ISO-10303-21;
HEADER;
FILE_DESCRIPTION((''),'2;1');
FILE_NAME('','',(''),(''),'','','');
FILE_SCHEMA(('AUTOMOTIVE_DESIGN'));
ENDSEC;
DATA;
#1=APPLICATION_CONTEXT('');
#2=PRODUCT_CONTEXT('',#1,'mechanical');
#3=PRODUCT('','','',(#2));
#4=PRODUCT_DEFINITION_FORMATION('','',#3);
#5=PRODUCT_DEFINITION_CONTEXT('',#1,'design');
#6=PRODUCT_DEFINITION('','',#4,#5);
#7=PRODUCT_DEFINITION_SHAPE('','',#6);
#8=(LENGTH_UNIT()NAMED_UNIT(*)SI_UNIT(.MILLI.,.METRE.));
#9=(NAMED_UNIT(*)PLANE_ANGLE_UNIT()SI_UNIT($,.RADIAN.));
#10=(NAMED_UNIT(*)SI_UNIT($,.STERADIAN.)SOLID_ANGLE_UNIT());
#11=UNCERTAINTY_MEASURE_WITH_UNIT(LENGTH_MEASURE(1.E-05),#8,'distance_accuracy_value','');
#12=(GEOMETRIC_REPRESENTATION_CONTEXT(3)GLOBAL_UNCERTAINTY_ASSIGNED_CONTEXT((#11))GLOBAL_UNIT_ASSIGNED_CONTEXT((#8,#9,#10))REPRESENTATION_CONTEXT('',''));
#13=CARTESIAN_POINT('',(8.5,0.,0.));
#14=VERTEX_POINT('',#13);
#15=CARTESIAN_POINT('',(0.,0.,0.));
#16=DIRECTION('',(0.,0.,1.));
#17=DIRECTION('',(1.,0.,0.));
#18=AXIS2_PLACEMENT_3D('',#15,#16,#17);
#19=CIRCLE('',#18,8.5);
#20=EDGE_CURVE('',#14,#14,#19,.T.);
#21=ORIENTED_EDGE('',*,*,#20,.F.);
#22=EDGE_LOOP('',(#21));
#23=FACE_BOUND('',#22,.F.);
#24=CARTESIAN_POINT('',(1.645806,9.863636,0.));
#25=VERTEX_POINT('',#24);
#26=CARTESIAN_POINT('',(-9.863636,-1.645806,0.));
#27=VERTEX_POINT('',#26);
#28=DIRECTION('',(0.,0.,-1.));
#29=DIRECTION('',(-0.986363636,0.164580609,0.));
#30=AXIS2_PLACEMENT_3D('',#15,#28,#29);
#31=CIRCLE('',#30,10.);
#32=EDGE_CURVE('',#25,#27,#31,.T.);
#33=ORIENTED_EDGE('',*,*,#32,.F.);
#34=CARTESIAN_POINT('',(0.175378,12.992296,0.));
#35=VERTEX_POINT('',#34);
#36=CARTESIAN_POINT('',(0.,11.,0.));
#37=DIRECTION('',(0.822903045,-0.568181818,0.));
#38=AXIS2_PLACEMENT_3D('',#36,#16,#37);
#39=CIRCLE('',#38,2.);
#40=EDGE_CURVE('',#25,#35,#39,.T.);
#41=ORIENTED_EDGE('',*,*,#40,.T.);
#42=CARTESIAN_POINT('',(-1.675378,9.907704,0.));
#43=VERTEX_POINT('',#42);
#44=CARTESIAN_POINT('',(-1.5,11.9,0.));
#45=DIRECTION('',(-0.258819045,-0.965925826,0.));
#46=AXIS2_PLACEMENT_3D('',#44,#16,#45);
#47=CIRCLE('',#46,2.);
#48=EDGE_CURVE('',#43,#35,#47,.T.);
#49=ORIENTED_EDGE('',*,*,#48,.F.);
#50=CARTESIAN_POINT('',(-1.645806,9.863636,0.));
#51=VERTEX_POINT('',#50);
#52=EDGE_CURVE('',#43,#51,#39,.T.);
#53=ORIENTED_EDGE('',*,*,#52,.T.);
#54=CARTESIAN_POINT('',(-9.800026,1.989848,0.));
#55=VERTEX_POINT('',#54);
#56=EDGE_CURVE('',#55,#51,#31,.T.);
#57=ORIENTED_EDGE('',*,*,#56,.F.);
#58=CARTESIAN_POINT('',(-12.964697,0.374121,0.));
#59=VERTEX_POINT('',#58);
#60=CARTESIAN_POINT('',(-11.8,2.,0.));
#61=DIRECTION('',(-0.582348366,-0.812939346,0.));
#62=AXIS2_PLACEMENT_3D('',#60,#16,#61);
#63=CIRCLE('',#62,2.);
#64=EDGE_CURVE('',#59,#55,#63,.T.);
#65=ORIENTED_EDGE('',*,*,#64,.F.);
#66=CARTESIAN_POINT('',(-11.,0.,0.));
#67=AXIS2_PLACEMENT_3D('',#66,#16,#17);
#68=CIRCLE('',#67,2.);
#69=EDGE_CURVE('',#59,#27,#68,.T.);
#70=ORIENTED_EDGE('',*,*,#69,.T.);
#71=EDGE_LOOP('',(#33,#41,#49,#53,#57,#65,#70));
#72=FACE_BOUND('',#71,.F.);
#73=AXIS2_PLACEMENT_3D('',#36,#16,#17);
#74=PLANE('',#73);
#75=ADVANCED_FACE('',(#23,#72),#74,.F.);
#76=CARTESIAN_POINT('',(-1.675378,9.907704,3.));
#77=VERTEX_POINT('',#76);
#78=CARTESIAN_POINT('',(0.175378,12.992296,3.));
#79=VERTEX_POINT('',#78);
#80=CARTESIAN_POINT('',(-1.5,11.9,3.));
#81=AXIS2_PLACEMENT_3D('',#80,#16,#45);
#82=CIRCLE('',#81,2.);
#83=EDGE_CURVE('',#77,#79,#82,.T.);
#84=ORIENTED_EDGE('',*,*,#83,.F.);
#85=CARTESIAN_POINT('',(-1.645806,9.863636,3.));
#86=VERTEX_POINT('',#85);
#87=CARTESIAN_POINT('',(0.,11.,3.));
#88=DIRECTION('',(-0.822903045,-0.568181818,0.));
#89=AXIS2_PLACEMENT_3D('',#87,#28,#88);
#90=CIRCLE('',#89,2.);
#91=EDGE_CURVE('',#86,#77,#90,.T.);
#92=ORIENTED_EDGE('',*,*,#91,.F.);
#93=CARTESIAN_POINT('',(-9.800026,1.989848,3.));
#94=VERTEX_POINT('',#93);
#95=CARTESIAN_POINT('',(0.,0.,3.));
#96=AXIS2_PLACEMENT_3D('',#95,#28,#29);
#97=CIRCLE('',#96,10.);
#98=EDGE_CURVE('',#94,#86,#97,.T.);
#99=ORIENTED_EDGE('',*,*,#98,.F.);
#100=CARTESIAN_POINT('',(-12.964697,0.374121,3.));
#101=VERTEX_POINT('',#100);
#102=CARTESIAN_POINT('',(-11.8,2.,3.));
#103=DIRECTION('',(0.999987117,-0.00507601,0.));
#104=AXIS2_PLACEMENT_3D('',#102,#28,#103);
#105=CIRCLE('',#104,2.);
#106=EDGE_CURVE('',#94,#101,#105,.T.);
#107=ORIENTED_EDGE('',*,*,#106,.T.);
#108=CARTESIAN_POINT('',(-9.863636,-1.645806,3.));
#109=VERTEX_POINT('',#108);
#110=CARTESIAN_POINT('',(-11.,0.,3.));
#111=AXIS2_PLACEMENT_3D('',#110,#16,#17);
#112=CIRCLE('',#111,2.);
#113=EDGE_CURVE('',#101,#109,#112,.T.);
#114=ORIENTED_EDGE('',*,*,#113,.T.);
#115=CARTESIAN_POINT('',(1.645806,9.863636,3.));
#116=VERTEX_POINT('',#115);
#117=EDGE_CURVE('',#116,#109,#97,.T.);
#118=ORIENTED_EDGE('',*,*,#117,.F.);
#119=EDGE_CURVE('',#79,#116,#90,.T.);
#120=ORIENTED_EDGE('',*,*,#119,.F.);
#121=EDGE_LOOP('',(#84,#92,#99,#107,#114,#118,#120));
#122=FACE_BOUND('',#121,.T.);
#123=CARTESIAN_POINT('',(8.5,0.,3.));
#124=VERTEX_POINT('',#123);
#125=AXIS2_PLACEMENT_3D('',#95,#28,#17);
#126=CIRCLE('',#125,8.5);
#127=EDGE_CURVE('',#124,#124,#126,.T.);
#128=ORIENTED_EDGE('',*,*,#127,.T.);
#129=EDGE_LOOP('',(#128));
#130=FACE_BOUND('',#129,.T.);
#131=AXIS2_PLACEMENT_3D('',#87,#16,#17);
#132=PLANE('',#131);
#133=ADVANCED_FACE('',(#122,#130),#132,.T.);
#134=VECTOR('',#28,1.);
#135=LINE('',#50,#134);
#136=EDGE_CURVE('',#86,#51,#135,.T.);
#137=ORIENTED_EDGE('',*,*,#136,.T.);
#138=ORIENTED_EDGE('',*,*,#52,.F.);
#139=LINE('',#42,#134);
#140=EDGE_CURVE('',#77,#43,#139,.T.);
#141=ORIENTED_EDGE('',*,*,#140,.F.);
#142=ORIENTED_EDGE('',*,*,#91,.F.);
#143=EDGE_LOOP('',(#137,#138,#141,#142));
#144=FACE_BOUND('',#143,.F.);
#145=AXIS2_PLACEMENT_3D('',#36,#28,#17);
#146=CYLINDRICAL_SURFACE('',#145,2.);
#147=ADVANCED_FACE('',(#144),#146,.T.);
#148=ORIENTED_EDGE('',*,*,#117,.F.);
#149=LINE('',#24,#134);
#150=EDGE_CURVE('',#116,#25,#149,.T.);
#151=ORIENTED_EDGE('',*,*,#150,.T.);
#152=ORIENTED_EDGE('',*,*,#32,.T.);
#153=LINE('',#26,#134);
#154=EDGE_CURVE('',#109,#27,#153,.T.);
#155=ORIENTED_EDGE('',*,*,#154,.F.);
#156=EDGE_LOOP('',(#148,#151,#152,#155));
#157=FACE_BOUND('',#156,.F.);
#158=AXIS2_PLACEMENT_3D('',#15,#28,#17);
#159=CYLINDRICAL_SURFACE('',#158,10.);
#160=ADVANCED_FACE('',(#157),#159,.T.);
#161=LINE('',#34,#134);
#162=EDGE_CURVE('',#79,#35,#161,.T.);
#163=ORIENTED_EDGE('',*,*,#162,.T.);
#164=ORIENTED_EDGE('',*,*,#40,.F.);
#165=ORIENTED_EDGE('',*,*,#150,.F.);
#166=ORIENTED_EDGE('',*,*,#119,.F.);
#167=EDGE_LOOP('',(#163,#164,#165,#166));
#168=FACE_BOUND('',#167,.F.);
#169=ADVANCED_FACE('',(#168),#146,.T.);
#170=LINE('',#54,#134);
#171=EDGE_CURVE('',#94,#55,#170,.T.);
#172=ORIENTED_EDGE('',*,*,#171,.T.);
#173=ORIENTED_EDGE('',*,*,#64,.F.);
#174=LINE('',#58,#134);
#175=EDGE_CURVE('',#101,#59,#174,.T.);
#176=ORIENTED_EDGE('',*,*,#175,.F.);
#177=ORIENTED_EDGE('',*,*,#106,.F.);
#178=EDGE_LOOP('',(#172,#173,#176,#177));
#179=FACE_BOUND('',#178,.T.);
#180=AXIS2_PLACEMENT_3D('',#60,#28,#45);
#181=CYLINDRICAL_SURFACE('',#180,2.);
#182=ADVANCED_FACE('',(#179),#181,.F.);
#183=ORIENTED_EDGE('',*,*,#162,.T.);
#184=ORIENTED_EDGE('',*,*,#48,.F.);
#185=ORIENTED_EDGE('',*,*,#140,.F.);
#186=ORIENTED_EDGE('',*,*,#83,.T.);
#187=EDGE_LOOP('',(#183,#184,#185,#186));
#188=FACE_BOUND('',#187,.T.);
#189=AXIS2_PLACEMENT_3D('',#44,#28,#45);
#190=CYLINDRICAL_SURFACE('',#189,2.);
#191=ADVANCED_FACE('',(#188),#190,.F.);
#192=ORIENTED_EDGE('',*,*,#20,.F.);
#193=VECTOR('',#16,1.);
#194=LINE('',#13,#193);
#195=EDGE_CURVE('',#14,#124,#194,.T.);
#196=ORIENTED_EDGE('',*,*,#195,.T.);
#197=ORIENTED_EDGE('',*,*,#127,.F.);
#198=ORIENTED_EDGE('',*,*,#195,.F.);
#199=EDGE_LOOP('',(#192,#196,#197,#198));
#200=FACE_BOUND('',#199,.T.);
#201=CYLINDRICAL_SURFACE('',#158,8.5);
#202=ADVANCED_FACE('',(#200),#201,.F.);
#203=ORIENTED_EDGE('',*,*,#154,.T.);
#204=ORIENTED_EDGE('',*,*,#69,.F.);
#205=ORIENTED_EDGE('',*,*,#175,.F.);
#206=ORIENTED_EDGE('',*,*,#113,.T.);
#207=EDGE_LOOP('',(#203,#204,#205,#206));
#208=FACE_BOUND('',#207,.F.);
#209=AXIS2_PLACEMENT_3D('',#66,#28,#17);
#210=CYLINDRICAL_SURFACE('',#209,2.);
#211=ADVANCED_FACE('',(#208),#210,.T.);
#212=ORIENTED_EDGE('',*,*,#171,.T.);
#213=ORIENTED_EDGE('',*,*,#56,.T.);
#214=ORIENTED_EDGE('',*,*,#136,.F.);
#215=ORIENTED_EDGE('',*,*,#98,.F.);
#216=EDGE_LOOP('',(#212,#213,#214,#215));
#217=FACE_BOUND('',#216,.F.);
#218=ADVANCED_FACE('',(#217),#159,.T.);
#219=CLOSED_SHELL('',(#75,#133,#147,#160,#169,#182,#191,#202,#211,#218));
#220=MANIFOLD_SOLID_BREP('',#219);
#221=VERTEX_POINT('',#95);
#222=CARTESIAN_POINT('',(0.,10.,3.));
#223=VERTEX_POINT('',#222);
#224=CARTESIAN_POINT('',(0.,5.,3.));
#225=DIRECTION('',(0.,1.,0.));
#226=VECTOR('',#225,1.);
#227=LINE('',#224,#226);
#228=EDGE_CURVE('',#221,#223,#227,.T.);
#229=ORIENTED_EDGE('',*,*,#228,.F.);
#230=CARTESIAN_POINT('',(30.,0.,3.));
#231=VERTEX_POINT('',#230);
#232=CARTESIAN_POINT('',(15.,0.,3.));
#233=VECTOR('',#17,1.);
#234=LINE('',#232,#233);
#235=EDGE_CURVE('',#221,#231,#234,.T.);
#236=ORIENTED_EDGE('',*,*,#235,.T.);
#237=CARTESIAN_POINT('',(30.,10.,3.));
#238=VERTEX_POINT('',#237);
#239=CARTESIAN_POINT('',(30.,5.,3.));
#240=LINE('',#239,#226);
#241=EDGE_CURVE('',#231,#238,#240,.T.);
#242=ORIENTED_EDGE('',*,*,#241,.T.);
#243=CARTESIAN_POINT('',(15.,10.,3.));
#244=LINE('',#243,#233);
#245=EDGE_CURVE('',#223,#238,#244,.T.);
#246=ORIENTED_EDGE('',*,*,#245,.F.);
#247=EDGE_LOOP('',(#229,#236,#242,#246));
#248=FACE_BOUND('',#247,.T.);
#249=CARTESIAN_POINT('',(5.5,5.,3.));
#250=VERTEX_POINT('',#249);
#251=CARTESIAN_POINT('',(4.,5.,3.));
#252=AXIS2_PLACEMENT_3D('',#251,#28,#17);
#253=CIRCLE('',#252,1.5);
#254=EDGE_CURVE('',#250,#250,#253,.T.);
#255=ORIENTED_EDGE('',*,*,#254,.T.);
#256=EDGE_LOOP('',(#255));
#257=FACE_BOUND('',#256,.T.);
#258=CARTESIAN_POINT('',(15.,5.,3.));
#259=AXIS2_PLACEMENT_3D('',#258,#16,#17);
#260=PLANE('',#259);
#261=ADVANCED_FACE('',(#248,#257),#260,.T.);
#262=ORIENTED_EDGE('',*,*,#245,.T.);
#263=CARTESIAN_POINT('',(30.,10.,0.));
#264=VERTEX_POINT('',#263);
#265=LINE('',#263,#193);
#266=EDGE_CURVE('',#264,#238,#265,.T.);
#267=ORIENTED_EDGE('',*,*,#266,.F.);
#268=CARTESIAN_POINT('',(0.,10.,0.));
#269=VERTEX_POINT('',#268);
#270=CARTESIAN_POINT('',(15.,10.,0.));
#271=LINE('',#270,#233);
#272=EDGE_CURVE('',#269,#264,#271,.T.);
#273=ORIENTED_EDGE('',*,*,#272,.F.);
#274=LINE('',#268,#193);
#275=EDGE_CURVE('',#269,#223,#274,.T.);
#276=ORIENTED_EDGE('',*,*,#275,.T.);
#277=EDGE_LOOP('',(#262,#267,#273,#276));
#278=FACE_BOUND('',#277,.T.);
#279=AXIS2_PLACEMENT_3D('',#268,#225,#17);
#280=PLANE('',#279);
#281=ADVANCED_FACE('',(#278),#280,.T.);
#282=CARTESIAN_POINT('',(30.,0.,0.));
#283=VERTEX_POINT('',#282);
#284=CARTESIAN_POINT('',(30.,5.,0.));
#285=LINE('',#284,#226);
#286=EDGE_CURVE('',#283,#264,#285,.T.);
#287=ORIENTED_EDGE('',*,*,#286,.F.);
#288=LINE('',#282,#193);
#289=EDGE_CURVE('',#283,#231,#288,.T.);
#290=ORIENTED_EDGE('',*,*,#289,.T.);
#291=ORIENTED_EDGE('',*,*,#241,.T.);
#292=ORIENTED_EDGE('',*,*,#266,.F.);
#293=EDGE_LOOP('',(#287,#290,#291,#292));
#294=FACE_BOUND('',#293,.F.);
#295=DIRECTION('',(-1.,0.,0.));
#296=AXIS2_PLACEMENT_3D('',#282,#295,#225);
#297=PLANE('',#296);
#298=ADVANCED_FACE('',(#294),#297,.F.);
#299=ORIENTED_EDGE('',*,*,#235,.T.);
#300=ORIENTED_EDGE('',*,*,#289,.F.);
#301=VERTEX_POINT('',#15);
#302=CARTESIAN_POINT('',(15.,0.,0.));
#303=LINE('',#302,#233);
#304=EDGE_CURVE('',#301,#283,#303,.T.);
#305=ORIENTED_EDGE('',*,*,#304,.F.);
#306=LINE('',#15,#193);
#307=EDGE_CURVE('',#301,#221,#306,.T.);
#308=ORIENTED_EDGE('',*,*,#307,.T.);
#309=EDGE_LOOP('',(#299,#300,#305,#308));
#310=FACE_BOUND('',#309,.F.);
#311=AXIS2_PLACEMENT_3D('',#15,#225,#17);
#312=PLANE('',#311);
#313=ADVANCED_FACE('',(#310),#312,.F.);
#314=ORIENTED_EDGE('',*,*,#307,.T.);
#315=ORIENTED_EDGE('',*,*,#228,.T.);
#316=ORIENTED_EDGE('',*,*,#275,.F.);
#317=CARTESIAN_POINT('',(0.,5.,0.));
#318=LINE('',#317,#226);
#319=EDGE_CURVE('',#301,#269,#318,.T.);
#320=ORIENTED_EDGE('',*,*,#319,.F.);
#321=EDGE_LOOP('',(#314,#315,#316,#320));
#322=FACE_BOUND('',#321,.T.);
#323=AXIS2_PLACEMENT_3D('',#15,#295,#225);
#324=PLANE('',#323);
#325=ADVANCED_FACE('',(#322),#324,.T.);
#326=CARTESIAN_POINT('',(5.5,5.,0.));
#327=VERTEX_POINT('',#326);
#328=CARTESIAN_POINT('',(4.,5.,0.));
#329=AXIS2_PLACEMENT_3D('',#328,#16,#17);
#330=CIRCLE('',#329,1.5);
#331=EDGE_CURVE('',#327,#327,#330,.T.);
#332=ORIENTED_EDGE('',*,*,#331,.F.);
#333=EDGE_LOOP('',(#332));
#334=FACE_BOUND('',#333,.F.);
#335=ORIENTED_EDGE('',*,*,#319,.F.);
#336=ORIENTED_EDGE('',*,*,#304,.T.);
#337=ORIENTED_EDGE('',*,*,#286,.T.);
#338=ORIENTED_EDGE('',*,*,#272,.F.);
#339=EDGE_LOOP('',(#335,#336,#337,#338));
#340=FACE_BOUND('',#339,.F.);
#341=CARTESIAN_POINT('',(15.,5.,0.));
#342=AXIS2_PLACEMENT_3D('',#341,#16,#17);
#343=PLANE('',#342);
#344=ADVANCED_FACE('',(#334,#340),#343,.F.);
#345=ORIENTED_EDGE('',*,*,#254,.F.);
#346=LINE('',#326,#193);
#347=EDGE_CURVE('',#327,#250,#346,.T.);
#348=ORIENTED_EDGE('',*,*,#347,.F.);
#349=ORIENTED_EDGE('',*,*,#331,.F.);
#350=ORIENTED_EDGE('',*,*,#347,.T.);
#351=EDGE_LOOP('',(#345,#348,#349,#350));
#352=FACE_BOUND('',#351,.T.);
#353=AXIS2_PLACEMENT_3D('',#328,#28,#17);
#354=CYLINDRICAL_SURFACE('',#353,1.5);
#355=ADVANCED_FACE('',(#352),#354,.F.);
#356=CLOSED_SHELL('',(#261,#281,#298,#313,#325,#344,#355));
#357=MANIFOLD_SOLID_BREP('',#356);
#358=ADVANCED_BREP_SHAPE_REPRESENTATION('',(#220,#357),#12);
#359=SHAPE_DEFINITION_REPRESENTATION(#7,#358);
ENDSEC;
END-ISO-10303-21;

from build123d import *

# Parameters (mm, degrees)
CYLINDER_R                  = 1.5
CYLINDER_DEPTH              = 10
BOX_W                       = 30
BOX_H                       = 10
BOX_DEPTH                   = 3
CYLINDER006_R               = 2
CYLINDER006_DEPTH           = 3
CYLINDER006_PLACEMENT_ANGLE = 105
CYLINDER005_R               = 2
CYLINDER005_DEPTH           = 3
CYLINDER005_PLACEMENT_ANGLE = 105
CYLINDER004_R               = 2
CYLINDER004_DEPTH           = 3
CYLINDER003_R               = 2
CYLINDER003_DEPTH           = 3
CYLINDER002_R               = 8.5
CYLINDER002_DEPTH           = 10
CYLINDER001_R               = 10
CYLINDER001_DEPTH           = 3


with BuildPart() as cylinder:
    # Cylinder → Cylinder (new body)
    with BuildSketch(Plane(origin=(4, 5, 0), x_dir=(1, 0, 0), z_dir=(0, 0, 1))):
        Circle(CYLINDER_R)
    extrude(amount=CYLINDER_DEPTH)


with BuildPart() as cut:
    # Box → Box (new body)
    with BuildSketch(Plane.XY):
        with Locations((15, 5)):
            Rectangle(BOX_W, BOX_H)
    extrude(amount=BOX_DEPTH)

    # Cut: cut Cylinder
    add(cylinder.part, mode=Mode.SUBTRACT)


with BuildPart() as cylinder006:
    # Cylinder006 → Cylinder006 (new body)
    with BuildSketch(Plane.XY):
        Circle(CYLINDER006_R)
    extrude(amount=CYLINDER006_DEPTH)


with BuildPart() as cylinder006_1:
    # Cylinder006 placement: moved
    add(cylinder006.part.moved(Location((-11.8, 2, 0))).rotate(Axis((-11.8, 2, 0), (0, 0, -1)), CYLINDER006_PLACEMENT_ANGLE))


with BuildPart() as cylinder005:
    # Cylinder005 → Cylinder005 (new body)
    with BuildSketch(Plane.XY):
        Circle(CYLINDER005_R)
    extrude(amount=CYLINDER005_DEPTH)


with BuildPart() as cylinder005_1:
    # Cylinder005 placement: moved
    add(cylinder005.part.moved(Location((-1.5, 11.9, 0))).rotate(Axis((-1.5, 11.9, 0), (0, 0, -1)), CYLINDER005_PLACEMENT_ANGLE))


with BuildPart() as cylinder004:
    # Cylinder004 → Cylinder004 (new body)
    with BuildSketch(Plane(origin=(-11, 0, 0), x_dir=(1, 0, 0), z_dir=(0, 0, 1))):
        Circle(CYLINDER004_R)
    extrude(amount=CYLINDER004_DEPTH)


with BuildPart() as cylinder003:
    # Cylinder003 → Cylinder003 (new body)
    with BuildSketch(Plane(origin=(0, 11, 0), x_dir=(1, 0, 0), z_dir=(0, 0, 1))):
        Circle(CYLINDER003_R)
    extrude(amount=CYLINDER003_DEPTH)


with BuildPart() as cylinder002:
    # Cylinder002 → Cylinder002 (new body)
    with BuildSketch(Plane.XY):
        Circle(CYLINDER002_R)
    extrude(amount=CYLINDER002_DEPTH)


with BuildPart() as cut003:
    # Cylinder001 → Cylinder001 (new body)
    with BuildSketch(Plane.XY):
        Circle(CYLINDER001_R)
    extrude(amount=CYLINDER001_DEPTH)

    # Cut001: cut Cylinder002
    add(cylinder002.part, mode=Mode.SUBTRACT)

    # Fusion: union Cylinder004, Cylinder003
    add(cylinder004.part)
    add(cylinder003.part)

    # Cut002: cut Cylinder005
    add(cylinder005_1.part, mode=Mode.SUBTRACT)

    # Cut003: cut Cylinder006
    add(cylinder006_1.part, mode=Mode.SUBTRACT)


solid = Compound([cut.part, cut003.part])
